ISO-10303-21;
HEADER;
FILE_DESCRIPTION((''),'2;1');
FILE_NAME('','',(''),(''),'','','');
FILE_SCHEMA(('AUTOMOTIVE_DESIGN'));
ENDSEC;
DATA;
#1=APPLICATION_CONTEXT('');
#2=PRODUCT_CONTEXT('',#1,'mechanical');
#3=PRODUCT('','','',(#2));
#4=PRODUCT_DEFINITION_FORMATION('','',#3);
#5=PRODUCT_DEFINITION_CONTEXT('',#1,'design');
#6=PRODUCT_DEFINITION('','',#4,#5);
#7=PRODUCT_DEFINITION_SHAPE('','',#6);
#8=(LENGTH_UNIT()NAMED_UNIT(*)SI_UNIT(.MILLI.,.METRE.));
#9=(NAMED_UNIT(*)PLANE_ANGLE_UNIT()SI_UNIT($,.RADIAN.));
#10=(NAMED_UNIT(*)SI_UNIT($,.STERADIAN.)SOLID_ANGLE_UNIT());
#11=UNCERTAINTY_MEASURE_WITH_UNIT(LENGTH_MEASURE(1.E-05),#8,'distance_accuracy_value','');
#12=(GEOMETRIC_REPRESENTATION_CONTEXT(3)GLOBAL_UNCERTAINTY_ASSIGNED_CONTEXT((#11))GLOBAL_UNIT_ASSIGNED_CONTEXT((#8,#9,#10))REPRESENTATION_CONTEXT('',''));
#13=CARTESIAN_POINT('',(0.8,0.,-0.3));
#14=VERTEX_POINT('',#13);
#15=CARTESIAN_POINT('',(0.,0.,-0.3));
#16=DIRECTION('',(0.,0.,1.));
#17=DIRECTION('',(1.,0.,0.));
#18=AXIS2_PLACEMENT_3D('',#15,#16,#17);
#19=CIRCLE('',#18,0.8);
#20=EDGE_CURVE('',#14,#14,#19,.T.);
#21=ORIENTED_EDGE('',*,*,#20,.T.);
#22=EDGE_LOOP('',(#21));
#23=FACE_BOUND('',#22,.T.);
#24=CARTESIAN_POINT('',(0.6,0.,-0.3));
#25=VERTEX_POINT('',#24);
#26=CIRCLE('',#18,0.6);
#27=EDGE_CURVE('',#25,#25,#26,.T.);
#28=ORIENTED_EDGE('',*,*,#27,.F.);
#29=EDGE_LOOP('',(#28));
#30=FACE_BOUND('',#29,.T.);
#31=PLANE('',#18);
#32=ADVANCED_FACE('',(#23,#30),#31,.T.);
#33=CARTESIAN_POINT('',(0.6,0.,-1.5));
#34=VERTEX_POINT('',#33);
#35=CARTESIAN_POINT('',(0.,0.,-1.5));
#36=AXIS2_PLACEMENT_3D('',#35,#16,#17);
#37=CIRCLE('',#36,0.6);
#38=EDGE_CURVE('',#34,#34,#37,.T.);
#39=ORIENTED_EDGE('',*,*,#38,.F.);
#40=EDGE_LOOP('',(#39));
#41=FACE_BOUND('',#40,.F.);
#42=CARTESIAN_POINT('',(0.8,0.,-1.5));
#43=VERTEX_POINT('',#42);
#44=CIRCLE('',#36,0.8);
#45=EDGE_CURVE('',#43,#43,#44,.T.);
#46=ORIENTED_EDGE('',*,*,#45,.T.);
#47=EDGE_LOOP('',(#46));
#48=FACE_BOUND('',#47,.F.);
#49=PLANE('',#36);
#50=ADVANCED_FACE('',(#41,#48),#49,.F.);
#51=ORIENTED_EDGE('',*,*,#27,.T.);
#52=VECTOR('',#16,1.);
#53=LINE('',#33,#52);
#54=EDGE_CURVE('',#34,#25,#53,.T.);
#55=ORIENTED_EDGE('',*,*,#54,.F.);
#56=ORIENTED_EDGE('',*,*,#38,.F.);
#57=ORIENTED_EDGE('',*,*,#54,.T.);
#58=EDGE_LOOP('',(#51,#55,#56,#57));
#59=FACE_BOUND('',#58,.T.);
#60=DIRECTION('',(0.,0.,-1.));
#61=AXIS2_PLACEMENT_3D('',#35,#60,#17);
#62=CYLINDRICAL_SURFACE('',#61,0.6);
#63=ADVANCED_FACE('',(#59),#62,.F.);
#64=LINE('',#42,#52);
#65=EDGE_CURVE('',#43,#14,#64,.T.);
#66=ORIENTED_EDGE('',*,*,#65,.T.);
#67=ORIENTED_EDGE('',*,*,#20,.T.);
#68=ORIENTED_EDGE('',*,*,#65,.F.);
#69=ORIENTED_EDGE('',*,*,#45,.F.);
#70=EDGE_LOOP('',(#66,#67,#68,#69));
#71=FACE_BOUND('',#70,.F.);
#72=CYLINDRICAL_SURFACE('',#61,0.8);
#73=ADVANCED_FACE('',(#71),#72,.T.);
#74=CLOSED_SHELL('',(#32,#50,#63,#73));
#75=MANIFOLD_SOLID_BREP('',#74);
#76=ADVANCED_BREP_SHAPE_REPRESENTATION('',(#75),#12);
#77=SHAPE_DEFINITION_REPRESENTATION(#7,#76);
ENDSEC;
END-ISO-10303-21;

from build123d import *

# Parameters (mm, degrees)
CYLINDER001_R     = 0.6
CYLINDER001_DEPTH = 1.2
CYLINDER_R        = 0.8
CYLINDER_DEPTH    = 1.2


with BuildPart() as zylinder001:
    # Cylinder001 → Cylinder001 (new body)
    with BuildSketch(Plane.XY):
        Circle(CYLINDER001_R)
    extrude(amount=CYLINDER001_DEPTH)


with BuildPart() as via:
    # Cylinder → Cylinder (new body)
    with BuildSketch(Plane.XY):
        Circle(CYLINDER_R)
    extrude(amount=CYLINDER_DEPTH)

    # Cut: cut Zylinder001
    add(zylinder001.part, mode=Mode.SUBTRACT)


with BuildPart() as via_1:
    # Clone placement: moved
    add(via.part.moved(Location((0, 0, -1.5))))


solid = via_1.part
